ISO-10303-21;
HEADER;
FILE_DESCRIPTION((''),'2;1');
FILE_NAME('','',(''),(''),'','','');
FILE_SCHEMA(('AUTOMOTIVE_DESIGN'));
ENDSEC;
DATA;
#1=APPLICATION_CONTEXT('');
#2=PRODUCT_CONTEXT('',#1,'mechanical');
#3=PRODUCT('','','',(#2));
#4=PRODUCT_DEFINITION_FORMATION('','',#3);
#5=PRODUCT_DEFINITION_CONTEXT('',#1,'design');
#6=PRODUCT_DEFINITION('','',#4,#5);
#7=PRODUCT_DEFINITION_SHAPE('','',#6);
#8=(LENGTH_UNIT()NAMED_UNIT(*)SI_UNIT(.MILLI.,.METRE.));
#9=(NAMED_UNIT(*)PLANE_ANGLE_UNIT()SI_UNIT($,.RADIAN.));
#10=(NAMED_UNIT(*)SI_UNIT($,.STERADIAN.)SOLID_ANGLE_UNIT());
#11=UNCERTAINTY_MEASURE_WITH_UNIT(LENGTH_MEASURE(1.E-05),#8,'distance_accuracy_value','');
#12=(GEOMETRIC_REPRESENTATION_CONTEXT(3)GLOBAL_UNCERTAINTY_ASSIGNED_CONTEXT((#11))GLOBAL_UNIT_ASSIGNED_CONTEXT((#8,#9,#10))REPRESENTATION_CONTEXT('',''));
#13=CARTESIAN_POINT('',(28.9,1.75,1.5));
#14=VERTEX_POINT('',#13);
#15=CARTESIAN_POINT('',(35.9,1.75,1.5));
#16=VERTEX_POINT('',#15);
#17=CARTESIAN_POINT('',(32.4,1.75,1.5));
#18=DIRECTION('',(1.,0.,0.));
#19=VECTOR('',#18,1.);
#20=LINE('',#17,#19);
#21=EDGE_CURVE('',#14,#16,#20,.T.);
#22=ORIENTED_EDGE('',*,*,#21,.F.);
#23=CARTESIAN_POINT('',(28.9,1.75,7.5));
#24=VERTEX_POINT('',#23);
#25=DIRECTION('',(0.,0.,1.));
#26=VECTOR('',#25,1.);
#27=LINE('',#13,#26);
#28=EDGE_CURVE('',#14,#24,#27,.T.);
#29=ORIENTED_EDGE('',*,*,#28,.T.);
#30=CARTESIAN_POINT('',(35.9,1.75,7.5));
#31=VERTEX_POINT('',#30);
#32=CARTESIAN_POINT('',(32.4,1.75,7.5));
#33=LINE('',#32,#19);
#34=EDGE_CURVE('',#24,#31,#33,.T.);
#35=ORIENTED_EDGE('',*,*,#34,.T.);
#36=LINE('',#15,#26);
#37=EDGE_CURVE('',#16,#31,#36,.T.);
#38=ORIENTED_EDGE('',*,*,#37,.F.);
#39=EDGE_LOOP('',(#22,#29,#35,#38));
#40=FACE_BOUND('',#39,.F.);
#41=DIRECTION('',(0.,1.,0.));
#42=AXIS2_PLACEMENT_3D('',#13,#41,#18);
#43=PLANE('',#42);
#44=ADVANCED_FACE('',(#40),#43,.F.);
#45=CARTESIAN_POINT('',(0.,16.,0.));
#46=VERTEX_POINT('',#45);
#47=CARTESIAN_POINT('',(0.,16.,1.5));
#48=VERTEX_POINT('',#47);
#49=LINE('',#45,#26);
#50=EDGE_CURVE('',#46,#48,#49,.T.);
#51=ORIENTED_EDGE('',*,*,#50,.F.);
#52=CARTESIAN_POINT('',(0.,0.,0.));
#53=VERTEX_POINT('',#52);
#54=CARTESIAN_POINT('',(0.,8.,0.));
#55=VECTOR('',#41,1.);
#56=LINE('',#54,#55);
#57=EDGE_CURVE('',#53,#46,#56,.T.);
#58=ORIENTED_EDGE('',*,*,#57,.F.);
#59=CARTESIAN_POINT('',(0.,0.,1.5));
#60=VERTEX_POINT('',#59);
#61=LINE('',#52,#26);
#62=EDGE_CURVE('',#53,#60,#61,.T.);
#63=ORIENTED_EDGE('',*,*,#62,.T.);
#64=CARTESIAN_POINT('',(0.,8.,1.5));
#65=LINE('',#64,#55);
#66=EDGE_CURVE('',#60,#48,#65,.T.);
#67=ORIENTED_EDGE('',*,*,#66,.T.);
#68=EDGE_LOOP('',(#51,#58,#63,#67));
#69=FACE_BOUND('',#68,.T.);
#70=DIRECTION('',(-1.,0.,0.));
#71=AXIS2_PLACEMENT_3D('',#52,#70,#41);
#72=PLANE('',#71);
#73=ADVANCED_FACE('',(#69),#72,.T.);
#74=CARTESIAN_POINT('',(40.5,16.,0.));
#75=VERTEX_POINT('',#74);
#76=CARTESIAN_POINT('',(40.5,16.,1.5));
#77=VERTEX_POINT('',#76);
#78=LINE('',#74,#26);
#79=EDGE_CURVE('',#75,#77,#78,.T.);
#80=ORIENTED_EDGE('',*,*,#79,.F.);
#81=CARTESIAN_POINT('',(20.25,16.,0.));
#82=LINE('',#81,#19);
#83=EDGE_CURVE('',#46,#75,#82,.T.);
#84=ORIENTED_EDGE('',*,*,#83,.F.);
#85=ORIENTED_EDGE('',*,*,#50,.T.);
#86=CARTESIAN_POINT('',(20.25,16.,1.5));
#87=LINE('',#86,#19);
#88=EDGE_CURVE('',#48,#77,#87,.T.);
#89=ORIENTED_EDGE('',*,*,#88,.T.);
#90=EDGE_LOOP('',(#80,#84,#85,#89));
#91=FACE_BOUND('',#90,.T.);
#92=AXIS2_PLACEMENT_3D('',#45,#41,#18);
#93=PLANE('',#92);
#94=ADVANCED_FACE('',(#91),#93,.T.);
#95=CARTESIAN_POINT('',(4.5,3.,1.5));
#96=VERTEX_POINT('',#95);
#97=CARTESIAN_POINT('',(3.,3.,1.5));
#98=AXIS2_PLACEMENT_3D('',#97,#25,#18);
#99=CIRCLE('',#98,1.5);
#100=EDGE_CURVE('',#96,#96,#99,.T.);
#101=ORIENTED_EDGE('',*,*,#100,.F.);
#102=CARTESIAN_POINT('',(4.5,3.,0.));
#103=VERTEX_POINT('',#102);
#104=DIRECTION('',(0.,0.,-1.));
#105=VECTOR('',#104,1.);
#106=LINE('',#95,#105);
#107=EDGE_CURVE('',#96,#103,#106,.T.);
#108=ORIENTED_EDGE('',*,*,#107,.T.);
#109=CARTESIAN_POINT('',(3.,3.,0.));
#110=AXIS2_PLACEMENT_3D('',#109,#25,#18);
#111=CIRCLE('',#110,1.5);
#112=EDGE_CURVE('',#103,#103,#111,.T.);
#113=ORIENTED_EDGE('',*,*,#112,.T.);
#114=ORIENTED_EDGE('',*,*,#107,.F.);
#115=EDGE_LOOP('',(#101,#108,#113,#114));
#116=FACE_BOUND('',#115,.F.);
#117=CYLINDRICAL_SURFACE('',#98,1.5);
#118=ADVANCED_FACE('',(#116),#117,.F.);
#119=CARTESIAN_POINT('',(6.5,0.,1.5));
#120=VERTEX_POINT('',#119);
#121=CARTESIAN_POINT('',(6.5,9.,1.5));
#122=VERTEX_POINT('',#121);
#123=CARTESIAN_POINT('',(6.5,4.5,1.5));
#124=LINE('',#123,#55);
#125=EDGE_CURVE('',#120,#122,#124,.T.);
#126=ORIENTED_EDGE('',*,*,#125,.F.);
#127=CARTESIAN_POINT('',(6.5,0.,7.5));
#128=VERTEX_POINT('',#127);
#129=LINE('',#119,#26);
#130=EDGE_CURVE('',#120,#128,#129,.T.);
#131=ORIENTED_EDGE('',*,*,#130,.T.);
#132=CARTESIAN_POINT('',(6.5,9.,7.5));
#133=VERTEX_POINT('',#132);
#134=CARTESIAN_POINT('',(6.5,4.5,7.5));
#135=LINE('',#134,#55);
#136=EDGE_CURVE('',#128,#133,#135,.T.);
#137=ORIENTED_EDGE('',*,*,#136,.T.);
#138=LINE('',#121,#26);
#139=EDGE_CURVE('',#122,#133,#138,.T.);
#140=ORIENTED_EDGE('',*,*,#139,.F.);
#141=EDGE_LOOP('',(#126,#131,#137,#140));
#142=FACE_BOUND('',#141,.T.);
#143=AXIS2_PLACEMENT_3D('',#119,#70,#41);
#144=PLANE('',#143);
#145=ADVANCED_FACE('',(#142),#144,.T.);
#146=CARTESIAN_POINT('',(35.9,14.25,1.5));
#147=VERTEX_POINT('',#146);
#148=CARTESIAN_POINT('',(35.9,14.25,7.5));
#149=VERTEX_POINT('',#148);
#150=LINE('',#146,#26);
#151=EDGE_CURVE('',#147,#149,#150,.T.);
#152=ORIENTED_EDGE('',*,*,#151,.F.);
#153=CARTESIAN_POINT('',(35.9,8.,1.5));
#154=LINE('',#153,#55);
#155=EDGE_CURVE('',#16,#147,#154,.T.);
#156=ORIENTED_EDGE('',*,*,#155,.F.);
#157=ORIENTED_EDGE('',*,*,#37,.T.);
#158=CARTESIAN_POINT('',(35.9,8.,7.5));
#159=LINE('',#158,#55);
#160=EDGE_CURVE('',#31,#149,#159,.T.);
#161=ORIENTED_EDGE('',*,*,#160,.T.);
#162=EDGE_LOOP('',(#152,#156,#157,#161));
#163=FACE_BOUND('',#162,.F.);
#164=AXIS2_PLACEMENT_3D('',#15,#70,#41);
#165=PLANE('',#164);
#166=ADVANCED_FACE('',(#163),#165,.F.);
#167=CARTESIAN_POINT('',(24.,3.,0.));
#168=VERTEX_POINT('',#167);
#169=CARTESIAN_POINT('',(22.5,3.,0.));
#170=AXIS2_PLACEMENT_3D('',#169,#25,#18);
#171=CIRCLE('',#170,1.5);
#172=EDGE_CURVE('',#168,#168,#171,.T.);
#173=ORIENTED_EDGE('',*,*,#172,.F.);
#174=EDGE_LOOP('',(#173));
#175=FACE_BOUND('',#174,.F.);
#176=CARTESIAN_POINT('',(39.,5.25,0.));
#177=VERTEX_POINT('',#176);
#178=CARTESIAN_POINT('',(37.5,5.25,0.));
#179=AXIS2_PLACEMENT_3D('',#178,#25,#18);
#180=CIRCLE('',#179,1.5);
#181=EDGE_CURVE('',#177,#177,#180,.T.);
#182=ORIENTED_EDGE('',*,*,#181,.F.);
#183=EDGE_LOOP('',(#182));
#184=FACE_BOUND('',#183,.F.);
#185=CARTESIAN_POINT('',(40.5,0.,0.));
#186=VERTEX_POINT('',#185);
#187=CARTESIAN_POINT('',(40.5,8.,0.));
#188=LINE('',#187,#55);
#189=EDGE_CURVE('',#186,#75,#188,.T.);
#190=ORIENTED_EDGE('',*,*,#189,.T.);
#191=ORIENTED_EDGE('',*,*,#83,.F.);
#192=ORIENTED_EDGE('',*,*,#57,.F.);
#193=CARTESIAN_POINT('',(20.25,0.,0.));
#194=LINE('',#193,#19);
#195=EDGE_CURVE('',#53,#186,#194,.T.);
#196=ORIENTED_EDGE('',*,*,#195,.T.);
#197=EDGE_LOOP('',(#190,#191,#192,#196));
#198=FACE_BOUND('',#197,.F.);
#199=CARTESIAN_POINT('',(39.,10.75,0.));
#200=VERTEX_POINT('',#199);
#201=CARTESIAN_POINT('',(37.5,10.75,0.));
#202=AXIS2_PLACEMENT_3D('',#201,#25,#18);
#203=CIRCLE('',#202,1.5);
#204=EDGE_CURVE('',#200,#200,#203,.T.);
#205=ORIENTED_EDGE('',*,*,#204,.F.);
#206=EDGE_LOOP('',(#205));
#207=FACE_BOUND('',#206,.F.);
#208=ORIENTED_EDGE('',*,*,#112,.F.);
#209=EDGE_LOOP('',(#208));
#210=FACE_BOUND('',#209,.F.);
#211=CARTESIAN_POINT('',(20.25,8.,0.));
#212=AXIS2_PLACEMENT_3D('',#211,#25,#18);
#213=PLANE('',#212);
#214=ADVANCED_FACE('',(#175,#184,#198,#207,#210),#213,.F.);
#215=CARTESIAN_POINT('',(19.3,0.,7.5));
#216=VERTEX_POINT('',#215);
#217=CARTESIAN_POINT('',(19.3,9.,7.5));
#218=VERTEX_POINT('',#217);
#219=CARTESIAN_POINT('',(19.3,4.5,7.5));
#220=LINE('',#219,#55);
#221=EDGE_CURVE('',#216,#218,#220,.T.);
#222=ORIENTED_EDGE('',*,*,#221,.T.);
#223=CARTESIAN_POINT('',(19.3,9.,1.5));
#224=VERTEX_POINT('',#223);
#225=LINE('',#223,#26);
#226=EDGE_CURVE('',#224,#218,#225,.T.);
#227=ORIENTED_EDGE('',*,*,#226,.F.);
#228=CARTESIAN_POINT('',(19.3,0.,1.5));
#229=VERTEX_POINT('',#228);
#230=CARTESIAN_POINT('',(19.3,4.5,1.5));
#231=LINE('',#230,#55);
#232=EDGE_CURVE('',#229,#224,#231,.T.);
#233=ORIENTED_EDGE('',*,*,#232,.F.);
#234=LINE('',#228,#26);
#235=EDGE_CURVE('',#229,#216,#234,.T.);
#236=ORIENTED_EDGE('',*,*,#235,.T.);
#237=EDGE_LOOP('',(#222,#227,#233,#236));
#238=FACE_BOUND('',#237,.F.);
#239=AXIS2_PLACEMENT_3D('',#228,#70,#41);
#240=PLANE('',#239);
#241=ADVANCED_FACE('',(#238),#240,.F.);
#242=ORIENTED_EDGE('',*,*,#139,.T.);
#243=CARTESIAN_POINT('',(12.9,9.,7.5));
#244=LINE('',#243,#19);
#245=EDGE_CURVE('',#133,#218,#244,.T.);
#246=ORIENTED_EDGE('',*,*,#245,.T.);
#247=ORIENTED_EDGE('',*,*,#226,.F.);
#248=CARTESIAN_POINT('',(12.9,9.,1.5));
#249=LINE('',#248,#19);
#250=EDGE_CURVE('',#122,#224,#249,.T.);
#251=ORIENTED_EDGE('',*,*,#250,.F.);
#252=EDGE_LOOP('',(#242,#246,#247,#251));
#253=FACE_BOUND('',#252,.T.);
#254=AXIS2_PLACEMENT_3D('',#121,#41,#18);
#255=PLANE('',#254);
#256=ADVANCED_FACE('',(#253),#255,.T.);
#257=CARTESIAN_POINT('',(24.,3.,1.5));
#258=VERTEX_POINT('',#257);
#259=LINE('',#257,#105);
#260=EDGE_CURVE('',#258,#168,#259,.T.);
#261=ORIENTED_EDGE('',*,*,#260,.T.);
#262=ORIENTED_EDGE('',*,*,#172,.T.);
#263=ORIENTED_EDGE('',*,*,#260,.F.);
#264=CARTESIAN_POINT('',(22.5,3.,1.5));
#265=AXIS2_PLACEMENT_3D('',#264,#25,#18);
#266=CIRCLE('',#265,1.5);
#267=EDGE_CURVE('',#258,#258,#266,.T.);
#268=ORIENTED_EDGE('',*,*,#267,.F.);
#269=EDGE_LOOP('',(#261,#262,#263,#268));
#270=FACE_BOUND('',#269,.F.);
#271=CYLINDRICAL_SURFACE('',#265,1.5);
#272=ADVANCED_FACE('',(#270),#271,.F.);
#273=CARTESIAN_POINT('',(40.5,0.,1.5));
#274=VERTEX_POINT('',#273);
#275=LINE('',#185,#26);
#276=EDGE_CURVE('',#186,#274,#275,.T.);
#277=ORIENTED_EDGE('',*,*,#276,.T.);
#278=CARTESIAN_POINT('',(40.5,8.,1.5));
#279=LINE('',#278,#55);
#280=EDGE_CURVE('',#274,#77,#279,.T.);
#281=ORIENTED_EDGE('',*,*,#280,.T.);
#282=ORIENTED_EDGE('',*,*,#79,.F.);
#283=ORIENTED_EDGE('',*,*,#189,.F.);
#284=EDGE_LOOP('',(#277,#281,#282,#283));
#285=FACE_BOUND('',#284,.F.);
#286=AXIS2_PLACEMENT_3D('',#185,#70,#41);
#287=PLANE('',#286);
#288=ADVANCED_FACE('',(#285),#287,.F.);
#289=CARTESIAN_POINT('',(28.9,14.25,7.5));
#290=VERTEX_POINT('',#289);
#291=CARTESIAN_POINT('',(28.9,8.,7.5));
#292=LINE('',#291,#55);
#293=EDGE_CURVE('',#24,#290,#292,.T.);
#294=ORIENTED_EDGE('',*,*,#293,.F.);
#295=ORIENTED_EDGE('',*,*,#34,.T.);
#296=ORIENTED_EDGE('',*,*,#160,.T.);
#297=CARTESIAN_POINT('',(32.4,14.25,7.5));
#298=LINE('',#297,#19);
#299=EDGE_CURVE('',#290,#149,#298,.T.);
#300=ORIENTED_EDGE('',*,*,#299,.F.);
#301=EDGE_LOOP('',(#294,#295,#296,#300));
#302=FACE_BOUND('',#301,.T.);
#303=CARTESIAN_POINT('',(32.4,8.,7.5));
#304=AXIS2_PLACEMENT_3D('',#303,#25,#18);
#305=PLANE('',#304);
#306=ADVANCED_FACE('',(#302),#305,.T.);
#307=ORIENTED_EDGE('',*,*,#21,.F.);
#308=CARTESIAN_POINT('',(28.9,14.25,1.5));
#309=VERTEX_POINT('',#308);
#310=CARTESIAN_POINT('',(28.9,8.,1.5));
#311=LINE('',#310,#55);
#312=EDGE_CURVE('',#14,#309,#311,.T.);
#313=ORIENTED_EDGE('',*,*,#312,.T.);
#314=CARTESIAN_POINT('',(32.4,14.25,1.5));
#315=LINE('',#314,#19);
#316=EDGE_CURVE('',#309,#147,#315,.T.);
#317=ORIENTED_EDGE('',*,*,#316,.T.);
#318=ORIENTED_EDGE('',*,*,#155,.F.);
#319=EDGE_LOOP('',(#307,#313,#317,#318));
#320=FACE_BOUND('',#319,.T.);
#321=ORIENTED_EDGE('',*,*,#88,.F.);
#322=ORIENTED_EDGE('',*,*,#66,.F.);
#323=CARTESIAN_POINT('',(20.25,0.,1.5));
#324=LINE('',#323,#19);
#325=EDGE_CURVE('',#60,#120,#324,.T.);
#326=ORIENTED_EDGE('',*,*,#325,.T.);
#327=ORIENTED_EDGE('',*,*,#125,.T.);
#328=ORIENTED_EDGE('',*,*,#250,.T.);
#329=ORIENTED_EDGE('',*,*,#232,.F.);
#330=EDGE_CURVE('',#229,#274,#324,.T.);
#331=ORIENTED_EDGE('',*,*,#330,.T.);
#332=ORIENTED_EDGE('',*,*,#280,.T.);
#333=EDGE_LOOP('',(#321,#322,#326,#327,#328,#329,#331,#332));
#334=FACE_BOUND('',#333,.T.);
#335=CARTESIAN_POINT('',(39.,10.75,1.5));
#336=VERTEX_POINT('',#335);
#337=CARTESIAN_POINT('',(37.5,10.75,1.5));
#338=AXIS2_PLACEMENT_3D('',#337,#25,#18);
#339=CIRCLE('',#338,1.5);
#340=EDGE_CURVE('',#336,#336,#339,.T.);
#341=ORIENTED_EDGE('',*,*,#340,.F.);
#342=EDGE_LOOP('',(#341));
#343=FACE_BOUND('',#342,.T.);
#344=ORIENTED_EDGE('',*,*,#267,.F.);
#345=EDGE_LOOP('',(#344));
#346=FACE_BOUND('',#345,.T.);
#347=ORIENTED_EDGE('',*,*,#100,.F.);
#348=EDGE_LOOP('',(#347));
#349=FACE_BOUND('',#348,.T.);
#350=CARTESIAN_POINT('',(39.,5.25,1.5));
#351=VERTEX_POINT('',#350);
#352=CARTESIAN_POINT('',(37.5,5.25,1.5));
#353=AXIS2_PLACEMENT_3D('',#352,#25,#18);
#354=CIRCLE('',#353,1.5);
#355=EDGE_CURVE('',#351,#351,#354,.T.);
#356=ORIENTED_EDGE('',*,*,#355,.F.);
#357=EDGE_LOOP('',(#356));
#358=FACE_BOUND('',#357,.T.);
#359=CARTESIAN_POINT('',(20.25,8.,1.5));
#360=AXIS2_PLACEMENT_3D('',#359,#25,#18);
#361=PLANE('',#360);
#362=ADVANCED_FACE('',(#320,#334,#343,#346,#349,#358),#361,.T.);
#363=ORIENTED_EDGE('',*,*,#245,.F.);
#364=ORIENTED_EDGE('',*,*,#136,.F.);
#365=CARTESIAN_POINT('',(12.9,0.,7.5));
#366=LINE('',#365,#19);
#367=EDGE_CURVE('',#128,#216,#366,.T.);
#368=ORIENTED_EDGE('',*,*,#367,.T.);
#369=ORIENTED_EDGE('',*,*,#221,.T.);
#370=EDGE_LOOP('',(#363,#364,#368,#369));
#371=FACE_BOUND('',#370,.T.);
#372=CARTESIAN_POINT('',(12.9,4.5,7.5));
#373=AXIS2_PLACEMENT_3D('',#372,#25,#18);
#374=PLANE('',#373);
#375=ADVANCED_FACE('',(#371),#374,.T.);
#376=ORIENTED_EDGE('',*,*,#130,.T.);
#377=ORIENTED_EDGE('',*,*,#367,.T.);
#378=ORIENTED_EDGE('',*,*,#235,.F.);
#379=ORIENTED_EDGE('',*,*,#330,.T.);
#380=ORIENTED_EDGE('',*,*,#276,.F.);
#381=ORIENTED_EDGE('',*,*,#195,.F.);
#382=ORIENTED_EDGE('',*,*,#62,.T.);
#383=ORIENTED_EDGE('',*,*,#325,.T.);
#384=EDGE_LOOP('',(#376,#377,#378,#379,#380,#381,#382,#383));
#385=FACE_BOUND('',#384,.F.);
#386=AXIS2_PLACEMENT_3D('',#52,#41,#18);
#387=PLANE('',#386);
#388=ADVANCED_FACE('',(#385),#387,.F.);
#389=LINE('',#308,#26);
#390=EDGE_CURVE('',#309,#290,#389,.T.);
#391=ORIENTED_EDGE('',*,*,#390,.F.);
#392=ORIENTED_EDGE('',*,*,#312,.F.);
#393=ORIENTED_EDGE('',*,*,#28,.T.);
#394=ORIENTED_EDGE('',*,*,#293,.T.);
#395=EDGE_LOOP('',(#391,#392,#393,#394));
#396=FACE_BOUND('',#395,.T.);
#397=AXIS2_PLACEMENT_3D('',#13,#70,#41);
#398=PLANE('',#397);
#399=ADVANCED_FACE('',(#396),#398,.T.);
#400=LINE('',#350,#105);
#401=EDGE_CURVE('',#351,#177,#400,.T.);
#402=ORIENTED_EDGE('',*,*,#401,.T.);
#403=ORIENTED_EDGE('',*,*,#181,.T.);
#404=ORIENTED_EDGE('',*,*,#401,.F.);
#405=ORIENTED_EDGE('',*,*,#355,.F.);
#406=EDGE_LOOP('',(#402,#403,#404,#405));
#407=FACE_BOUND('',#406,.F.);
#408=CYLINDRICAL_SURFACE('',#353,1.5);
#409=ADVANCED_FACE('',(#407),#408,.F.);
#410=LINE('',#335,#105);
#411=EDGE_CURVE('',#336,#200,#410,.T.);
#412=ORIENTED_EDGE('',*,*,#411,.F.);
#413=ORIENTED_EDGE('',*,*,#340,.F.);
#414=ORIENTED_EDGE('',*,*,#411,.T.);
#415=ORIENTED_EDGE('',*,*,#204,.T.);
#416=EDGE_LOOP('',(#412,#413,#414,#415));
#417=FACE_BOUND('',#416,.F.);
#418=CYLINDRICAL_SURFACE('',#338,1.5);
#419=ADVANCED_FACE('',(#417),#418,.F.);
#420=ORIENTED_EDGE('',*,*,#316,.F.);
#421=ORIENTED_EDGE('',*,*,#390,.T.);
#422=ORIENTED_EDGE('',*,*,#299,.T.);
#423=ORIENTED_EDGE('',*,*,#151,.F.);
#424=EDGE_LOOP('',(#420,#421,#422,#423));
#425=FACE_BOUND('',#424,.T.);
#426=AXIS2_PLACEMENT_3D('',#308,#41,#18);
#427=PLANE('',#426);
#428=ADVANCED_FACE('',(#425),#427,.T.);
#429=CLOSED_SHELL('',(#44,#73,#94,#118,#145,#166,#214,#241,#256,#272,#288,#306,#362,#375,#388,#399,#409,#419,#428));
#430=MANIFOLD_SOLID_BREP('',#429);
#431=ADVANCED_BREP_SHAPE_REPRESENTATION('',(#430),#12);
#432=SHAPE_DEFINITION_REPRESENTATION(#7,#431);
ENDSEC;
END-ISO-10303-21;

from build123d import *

# Parameters (mm, degrees)
SKETCH027_W     = 40.5
SKETCH027_H     = 16
PAD017_DEPTH    = 1.5
SKETCH028_R     = 1.5
POCKET009_DEPTH = 1.501
SKETCH029_W     = 12.8
SKETCH029_H     = 9
SKETCH029_W_2   = 7
SKETCH029_H_2   = 12.5
PAD018_DEPTH    = 6


with BuildPart() as part:
    # Sketch027 → Pad017 (new body)
    with BuildSketch(Plane.XY):
        with Locations((20.25, 8)):
            Rectangle(SKETCH027_W, SKETCH027_H)
    extrude(amount=PAD017_DEPTH)

    # Sketch028 (on Face6 of Pad017) → Pocket009 (cut, through all)
    with BuildSketch(Plane.XY.offset(1.5)):
        with Locations((3, 3)):
            Circle(SKETCH028_R)
        with Locations((22.5, 3)):
            Circle(SKETCH028_R)
        with Locations((37.5, 10.75)):
            Circle(SKETCH028_R)
        with Locations((37.5, 5.25)):
            Circle(SKETCH028_R)
    extrude(amount=-POCKET009_DEPTH, mode=Mode.SUBTRACT)

    # Sketch029 (on Face5 of Pocket009) → Pad018 (join)
    with BuildSketch(Plane.XY.offset(1.5)):
        with Locations((12.9, 4.5)):
            Rectangle(SKETCH029_W, SKETCH029_H)
        with Locations((32.4, 8)):
            Rectangle(SKETCH029_W_2, SKETCH029_H_2)
    extrude(amount=PAD018_DEPTH)


solid = part.part
